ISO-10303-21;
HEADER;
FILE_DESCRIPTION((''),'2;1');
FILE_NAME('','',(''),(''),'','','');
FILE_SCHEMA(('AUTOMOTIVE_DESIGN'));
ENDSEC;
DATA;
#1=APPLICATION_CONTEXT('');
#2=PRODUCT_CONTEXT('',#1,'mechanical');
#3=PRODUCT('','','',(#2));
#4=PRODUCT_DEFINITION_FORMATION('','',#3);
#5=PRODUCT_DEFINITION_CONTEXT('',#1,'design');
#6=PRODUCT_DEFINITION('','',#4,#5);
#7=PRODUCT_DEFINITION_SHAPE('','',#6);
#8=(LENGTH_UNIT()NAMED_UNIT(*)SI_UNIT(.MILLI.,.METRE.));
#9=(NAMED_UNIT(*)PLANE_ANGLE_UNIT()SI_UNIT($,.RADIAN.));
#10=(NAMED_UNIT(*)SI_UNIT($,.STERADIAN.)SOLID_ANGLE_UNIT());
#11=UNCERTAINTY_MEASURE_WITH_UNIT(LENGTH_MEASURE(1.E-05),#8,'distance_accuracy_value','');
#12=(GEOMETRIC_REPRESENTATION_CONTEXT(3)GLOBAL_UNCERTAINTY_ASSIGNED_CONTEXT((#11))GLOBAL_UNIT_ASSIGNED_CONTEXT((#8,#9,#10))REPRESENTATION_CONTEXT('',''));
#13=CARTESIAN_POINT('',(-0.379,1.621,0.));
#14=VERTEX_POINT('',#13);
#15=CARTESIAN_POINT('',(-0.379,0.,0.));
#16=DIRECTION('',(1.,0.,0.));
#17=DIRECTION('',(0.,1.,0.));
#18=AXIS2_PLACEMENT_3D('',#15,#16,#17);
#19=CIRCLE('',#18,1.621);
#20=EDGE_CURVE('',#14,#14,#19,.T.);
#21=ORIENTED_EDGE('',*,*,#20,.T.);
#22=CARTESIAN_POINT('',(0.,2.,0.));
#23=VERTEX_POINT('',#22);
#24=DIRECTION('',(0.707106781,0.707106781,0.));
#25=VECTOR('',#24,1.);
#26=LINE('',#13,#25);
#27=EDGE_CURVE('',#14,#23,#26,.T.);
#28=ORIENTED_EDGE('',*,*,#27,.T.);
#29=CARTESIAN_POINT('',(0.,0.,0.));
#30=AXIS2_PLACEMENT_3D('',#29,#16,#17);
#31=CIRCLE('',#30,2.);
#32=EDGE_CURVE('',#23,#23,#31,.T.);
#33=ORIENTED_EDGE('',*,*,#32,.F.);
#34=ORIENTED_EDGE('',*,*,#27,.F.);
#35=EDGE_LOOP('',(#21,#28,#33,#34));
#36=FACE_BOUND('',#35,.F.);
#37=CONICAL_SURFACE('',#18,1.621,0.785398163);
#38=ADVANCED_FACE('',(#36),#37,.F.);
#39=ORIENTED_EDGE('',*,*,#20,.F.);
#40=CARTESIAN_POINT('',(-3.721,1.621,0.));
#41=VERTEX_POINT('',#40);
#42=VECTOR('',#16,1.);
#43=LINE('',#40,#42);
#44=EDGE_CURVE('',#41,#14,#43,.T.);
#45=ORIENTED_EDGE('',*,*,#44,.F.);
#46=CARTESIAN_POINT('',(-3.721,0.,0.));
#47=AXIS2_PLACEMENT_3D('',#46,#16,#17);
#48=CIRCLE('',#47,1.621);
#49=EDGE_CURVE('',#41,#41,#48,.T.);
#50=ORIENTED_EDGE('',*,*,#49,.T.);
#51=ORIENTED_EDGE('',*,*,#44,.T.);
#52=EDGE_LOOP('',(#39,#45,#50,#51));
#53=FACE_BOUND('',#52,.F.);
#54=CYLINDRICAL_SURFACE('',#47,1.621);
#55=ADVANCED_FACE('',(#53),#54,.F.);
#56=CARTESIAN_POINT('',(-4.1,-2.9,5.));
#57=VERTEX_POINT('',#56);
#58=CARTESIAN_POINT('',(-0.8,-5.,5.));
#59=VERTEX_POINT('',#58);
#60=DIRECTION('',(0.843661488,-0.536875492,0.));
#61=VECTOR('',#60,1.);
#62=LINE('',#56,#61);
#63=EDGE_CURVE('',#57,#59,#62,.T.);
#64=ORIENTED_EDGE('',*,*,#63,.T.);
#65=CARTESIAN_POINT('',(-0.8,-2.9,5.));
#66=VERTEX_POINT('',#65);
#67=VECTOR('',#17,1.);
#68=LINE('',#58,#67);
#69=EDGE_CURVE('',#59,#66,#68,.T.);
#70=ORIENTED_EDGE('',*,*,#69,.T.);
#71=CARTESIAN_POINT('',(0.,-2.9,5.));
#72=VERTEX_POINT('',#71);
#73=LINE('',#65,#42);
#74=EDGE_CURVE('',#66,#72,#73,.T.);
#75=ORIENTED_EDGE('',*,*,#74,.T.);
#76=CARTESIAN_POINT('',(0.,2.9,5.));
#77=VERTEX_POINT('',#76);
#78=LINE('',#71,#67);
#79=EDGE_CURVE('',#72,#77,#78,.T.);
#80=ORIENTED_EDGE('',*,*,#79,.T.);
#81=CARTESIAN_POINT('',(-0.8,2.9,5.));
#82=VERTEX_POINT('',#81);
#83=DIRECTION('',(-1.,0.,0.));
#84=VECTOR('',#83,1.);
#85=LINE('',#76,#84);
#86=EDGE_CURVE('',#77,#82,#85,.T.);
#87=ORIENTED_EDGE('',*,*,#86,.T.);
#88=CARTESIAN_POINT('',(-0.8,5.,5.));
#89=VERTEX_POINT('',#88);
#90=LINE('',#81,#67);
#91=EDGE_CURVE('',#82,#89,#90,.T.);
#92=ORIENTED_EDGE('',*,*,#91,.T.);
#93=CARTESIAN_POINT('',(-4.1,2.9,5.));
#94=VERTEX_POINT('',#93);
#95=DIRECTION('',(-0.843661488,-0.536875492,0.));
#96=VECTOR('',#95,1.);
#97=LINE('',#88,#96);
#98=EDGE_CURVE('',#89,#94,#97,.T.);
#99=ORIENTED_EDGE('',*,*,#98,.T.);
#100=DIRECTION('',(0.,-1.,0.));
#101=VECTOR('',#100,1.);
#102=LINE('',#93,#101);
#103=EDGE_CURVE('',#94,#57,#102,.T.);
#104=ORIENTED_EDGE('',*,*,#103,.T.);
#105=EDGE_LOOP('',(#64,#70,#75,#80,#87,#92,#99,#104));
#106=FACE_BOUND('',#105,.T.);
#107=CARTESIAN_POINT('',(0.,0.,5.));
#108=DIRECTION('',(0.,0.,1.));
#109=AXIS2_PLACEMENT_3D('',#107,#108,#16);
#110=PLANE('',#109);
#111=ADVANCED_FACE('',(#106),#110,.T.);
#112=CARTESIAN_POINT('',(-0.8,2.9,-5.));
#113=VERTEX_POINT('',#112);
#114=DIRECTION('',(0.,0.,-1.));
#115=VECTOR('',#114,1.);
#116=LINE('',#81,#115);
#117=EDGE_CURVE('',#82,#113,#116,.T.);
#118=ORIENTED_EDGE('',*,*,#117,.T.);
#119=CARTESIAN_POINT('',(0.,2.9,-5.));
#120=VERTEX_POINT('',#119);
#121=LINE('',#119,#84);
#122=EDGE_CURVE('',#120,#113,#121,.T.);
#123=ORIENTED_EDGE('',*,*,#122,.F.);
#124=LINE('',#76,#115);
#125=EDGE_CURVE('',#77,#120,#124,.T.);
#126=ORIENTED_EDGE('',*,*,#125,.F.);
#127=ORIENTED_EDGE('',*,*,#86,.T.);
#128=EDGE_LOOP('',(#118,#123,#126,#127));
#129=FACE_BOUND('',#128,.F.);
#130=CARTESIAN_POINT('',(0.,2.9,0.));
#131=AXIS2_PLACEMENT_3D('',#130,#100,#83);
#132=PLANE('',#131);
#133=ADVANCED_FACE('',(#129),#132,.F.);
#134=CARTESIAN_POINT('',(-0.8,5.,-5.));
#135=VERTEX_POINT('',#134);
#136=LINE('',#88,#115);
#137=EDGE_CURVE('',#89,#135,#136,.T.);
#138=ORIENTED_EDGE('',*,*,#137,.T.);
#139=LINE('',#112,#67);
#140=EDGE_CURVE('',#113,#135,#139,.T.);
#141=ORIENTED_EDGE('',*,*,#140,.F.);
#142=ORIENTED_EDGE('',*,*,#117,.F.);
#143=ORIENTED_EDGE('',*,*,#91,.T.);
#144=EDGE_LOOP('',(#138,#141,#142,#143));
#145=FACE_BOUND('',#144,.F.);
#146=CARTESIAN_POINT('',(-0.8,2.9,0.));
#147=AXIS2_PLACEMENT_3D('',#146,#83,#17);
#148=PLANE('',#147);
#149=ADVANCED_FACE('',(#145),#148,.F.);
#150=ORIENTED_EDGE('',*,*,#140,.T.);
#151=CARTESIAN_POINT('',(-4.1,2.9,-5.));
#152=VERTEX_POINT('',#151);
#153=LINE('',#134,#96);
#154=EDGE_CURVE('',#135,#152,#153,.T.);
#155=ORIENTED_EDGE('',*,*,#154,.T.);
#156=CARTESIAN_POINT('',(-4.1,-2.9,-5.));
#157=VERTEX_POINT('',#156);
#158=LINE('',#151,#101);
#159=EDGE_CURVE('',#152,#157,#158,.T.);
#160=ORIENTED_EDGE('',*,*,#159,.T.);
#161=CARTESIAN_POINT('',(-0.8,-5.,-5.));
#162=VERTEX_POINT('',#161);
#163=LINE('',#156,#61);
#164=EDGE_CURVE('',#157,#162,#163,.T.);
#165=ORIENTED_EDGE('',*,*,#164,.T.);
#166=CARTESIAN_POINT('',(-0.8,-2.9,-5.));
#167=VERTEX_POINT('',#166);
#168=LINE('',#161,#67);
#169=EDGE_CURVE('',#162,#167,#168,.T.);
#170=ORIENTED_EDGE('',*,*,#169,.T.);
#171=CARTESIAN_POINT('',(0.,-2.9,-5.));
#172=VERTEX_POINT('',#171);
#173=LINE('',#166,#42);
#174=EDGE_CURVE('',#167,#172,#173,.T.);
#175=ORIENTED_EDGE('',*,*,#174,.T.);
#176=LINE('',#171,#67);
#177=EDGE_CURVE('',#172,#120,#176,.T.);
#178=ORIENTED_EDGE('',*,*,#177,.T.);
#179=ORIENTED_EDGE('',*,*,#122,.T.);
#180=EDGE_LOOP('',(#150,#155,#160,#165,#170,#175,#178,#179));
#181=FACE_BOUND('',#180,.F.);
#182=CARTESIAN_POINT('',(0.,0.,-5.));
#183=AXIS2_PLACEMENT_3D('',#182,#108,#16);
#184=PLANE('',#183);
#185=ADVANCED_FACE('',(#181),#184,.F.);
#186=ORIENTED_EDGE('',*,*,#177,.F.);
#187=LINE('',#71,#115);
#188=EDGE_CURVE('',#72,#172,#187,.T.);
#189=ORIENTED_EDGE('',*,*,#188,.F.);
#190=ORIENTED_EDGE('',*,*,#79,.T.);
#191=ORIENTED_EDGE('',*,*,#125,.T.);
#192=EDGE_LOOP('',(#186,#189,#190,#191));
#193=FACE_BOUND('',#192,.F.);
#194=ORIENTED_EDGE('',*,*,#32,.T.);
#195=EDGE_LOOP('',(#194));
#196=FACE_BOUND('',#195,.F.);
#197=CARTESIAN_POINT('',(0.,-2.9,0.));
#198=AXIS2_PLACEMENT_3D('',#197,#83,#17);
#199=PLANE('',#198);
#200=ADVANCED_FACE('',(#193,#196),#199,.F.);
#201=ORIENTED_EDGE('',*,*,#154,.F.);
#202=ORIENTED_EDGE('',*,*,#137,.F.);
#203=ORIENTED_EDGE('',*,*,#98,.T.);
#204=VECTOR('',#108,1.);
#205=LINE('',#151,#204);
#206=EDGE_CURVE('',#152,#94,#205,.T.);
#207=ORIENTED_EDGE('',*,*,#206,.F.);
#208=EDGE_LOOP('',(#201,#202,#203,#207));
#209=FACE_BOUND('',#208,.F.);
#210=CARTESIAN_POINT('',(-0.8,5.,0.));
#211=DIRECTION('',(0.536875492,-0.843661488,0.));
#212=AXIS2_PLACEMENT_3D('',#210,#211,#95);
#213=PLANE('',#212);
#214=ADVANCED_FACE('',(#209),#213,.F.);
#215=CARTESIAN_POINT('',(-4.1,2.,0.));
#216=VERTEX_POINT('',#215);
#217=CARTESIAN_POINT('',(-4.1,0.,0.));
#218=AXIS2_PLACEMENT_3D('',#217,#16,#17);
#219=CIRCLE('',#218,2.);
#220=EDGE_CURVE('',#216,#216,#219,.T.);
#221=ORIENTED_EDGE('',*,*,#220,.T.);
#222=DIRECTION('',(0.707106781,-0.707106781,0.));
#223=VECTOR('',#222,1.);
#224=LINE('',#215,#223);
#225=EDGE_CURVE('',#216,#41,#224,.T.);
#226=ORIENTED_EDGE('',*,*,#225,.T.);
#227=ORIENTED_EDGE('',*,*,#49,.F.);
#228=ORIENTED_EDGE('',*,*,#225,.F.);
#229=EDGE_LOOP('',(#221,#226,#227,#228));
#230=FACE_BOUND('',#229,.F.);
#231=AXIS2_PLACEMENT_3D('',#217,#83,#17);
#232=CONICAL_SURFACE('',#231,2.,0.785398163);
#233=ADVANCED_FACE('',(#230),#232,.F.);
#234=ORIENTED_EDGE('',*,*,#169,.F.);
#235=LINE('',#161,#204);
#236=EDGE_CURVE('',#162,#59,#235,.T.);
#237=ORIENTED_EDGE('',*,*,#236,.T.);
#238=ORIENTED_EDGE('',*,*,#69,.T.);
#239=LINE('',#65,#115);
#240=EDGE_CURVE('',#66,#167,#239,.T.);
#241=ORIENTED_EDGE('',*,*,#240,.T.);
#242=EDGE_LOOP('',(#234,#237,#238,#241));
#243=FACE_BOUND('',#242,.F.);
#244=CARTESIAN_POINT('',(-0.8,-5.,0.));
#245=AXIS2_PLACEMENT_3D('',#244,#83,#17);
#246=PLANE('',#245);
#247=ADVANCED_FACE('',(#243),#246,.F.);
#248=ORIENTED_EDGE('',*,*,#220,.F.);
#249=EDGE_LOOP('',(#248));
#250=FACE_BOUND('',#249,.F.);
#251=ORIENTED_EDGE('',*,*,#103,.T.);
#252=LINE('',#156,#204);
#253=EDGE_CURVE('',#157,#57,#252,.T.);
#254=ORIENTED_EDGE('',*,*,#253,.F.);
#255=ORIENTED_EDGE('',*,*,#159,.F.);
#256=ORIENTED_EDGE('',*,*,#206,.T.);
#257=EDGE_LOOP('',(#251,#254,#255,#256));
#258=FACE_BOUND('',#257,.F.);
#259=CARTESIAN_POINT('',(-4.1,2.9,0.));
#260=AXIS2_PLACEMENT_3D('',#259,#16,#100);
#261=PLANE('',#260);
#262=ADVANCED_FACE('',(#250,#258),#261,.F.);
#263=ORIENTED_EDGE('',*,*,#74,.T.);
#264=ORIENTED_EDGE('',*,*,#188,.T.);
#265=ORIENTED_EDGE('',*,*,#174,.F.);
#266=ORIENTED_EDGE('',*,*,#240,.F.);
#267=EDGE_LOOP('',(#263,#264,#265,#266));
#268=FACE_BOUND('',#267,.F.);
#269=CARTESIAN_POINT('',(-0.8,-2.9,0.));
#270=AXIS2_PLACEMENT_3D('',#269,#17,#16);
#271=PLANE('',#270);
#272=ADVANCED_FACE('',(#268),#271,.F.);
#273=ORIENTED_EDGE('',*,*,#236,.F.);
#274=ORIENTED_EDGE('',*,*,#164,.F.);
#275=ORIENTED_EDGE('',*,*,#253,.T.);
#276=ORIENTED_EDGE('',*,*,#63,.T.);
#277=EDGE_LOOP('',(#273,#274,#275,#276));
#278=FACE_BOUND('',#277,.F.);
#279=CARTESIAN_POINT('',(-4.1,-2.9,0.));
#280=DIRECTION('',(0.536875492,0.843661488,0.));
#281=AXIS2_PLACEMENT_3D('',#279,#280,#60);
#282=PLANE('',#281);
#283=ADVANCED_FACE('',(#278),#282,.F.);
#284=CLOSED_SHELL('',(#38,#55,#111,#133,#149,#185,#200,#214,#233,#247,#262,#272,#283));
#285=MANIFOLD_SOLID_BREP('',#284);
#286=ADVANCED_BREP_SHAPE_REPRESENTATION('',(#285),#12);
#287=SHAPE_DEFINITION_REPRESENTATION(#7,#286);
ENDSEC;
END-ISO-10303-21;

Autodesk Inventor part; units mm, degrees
sketch "Sketch_4" plane through (0, 0, 0) normal (0, 0, 1) x (1, 0, 0)
  line L0 (-4.1, 2.9) -> (-4.1, -2.9)
  line L1 (-4.1, -2.9) -> (-0.8, -5)
  line L2 (-0.8, -5) -> (-0.8, -2.9)
  line L3 (-0.8, -2.9) -> (0, -2.9)
  line L4 (0, -2.9) -> (0, 2.9)
  line L5 (0, 2.9) -> (-0.8, 2.9)
  line L6 (-0.8, 2.9) -> (-0.8, 5)
  line L7 (-0.8, 5) -> (-4.1, 2.9)
extrude "Extrusion1" add sketch "Sketch_4" along normal mid plane 10
sketch "Sketch_5" plane through (0, 0, 0) normal (0, 0, 1) x (1, 0, 0)
  line L0 (0, 0) -> (-4.1, 0)
  line L1 (-4.1, 0) -> (-4.1, 2)
  line L2 (-4.1, 2) -> (-3.721, 1.621)
  line L3 (-3.721, 1.621) -> (-0.379, 1.621)
  line L4 (-0.379, 1.621) -> (0, 2)
  line L5 (0, 2) -> (0, 0)
  line L6 (0, 0) -> (-4.1, 0)
revolve "Revolution1" cut sketch "Sketch_5" angle 360 about axis through (0, 0, 0) along (1, 0, 0)
thread "Thread1" size "M4x0.7" class "6H" standard "ISO Metric profile" full length
ref_plane "nut_XY" through (0, 0, 0) normal (1, 0, 0) x (0, 0, -1)
ref_plane "nut_YZ" through (0, 0, 0) normal (0, 0, -1) x (0, 1, 0)
ref_plane "nut_ZX" through (0, 0, 0) normal (0, 1, 0) x (1, 0, 0)
ref_plane "to_bolt_XY" through (-4.1, 0, 0) normal (1, 0, 0) x (0, 0, -1)
ref_plane "to_bolt_YZ" through (-4.1, 0, 0) normal (0, 0, -1) x (0, 1, 0)
ref_plane "to_bolt_ZX" through (-4.1, 0, 0) normal (0, 1, 0) x (1, 0, 0)
ref_plane "to_frames_XY" through (-0.8, 0, 0) normal (1, 0, 0) x (0, 0, -1)
ref_plane "to_frames_YZ" through (-0.8, 0, 0) normal (0, 0, -1) x (0, 1, 0)
ref_plane "to_frames_ZX" through (-0.8, 0, 0) normal (0, 1, 0) x (1, 0, 0)
properties part number "HNTT5-4_1"
